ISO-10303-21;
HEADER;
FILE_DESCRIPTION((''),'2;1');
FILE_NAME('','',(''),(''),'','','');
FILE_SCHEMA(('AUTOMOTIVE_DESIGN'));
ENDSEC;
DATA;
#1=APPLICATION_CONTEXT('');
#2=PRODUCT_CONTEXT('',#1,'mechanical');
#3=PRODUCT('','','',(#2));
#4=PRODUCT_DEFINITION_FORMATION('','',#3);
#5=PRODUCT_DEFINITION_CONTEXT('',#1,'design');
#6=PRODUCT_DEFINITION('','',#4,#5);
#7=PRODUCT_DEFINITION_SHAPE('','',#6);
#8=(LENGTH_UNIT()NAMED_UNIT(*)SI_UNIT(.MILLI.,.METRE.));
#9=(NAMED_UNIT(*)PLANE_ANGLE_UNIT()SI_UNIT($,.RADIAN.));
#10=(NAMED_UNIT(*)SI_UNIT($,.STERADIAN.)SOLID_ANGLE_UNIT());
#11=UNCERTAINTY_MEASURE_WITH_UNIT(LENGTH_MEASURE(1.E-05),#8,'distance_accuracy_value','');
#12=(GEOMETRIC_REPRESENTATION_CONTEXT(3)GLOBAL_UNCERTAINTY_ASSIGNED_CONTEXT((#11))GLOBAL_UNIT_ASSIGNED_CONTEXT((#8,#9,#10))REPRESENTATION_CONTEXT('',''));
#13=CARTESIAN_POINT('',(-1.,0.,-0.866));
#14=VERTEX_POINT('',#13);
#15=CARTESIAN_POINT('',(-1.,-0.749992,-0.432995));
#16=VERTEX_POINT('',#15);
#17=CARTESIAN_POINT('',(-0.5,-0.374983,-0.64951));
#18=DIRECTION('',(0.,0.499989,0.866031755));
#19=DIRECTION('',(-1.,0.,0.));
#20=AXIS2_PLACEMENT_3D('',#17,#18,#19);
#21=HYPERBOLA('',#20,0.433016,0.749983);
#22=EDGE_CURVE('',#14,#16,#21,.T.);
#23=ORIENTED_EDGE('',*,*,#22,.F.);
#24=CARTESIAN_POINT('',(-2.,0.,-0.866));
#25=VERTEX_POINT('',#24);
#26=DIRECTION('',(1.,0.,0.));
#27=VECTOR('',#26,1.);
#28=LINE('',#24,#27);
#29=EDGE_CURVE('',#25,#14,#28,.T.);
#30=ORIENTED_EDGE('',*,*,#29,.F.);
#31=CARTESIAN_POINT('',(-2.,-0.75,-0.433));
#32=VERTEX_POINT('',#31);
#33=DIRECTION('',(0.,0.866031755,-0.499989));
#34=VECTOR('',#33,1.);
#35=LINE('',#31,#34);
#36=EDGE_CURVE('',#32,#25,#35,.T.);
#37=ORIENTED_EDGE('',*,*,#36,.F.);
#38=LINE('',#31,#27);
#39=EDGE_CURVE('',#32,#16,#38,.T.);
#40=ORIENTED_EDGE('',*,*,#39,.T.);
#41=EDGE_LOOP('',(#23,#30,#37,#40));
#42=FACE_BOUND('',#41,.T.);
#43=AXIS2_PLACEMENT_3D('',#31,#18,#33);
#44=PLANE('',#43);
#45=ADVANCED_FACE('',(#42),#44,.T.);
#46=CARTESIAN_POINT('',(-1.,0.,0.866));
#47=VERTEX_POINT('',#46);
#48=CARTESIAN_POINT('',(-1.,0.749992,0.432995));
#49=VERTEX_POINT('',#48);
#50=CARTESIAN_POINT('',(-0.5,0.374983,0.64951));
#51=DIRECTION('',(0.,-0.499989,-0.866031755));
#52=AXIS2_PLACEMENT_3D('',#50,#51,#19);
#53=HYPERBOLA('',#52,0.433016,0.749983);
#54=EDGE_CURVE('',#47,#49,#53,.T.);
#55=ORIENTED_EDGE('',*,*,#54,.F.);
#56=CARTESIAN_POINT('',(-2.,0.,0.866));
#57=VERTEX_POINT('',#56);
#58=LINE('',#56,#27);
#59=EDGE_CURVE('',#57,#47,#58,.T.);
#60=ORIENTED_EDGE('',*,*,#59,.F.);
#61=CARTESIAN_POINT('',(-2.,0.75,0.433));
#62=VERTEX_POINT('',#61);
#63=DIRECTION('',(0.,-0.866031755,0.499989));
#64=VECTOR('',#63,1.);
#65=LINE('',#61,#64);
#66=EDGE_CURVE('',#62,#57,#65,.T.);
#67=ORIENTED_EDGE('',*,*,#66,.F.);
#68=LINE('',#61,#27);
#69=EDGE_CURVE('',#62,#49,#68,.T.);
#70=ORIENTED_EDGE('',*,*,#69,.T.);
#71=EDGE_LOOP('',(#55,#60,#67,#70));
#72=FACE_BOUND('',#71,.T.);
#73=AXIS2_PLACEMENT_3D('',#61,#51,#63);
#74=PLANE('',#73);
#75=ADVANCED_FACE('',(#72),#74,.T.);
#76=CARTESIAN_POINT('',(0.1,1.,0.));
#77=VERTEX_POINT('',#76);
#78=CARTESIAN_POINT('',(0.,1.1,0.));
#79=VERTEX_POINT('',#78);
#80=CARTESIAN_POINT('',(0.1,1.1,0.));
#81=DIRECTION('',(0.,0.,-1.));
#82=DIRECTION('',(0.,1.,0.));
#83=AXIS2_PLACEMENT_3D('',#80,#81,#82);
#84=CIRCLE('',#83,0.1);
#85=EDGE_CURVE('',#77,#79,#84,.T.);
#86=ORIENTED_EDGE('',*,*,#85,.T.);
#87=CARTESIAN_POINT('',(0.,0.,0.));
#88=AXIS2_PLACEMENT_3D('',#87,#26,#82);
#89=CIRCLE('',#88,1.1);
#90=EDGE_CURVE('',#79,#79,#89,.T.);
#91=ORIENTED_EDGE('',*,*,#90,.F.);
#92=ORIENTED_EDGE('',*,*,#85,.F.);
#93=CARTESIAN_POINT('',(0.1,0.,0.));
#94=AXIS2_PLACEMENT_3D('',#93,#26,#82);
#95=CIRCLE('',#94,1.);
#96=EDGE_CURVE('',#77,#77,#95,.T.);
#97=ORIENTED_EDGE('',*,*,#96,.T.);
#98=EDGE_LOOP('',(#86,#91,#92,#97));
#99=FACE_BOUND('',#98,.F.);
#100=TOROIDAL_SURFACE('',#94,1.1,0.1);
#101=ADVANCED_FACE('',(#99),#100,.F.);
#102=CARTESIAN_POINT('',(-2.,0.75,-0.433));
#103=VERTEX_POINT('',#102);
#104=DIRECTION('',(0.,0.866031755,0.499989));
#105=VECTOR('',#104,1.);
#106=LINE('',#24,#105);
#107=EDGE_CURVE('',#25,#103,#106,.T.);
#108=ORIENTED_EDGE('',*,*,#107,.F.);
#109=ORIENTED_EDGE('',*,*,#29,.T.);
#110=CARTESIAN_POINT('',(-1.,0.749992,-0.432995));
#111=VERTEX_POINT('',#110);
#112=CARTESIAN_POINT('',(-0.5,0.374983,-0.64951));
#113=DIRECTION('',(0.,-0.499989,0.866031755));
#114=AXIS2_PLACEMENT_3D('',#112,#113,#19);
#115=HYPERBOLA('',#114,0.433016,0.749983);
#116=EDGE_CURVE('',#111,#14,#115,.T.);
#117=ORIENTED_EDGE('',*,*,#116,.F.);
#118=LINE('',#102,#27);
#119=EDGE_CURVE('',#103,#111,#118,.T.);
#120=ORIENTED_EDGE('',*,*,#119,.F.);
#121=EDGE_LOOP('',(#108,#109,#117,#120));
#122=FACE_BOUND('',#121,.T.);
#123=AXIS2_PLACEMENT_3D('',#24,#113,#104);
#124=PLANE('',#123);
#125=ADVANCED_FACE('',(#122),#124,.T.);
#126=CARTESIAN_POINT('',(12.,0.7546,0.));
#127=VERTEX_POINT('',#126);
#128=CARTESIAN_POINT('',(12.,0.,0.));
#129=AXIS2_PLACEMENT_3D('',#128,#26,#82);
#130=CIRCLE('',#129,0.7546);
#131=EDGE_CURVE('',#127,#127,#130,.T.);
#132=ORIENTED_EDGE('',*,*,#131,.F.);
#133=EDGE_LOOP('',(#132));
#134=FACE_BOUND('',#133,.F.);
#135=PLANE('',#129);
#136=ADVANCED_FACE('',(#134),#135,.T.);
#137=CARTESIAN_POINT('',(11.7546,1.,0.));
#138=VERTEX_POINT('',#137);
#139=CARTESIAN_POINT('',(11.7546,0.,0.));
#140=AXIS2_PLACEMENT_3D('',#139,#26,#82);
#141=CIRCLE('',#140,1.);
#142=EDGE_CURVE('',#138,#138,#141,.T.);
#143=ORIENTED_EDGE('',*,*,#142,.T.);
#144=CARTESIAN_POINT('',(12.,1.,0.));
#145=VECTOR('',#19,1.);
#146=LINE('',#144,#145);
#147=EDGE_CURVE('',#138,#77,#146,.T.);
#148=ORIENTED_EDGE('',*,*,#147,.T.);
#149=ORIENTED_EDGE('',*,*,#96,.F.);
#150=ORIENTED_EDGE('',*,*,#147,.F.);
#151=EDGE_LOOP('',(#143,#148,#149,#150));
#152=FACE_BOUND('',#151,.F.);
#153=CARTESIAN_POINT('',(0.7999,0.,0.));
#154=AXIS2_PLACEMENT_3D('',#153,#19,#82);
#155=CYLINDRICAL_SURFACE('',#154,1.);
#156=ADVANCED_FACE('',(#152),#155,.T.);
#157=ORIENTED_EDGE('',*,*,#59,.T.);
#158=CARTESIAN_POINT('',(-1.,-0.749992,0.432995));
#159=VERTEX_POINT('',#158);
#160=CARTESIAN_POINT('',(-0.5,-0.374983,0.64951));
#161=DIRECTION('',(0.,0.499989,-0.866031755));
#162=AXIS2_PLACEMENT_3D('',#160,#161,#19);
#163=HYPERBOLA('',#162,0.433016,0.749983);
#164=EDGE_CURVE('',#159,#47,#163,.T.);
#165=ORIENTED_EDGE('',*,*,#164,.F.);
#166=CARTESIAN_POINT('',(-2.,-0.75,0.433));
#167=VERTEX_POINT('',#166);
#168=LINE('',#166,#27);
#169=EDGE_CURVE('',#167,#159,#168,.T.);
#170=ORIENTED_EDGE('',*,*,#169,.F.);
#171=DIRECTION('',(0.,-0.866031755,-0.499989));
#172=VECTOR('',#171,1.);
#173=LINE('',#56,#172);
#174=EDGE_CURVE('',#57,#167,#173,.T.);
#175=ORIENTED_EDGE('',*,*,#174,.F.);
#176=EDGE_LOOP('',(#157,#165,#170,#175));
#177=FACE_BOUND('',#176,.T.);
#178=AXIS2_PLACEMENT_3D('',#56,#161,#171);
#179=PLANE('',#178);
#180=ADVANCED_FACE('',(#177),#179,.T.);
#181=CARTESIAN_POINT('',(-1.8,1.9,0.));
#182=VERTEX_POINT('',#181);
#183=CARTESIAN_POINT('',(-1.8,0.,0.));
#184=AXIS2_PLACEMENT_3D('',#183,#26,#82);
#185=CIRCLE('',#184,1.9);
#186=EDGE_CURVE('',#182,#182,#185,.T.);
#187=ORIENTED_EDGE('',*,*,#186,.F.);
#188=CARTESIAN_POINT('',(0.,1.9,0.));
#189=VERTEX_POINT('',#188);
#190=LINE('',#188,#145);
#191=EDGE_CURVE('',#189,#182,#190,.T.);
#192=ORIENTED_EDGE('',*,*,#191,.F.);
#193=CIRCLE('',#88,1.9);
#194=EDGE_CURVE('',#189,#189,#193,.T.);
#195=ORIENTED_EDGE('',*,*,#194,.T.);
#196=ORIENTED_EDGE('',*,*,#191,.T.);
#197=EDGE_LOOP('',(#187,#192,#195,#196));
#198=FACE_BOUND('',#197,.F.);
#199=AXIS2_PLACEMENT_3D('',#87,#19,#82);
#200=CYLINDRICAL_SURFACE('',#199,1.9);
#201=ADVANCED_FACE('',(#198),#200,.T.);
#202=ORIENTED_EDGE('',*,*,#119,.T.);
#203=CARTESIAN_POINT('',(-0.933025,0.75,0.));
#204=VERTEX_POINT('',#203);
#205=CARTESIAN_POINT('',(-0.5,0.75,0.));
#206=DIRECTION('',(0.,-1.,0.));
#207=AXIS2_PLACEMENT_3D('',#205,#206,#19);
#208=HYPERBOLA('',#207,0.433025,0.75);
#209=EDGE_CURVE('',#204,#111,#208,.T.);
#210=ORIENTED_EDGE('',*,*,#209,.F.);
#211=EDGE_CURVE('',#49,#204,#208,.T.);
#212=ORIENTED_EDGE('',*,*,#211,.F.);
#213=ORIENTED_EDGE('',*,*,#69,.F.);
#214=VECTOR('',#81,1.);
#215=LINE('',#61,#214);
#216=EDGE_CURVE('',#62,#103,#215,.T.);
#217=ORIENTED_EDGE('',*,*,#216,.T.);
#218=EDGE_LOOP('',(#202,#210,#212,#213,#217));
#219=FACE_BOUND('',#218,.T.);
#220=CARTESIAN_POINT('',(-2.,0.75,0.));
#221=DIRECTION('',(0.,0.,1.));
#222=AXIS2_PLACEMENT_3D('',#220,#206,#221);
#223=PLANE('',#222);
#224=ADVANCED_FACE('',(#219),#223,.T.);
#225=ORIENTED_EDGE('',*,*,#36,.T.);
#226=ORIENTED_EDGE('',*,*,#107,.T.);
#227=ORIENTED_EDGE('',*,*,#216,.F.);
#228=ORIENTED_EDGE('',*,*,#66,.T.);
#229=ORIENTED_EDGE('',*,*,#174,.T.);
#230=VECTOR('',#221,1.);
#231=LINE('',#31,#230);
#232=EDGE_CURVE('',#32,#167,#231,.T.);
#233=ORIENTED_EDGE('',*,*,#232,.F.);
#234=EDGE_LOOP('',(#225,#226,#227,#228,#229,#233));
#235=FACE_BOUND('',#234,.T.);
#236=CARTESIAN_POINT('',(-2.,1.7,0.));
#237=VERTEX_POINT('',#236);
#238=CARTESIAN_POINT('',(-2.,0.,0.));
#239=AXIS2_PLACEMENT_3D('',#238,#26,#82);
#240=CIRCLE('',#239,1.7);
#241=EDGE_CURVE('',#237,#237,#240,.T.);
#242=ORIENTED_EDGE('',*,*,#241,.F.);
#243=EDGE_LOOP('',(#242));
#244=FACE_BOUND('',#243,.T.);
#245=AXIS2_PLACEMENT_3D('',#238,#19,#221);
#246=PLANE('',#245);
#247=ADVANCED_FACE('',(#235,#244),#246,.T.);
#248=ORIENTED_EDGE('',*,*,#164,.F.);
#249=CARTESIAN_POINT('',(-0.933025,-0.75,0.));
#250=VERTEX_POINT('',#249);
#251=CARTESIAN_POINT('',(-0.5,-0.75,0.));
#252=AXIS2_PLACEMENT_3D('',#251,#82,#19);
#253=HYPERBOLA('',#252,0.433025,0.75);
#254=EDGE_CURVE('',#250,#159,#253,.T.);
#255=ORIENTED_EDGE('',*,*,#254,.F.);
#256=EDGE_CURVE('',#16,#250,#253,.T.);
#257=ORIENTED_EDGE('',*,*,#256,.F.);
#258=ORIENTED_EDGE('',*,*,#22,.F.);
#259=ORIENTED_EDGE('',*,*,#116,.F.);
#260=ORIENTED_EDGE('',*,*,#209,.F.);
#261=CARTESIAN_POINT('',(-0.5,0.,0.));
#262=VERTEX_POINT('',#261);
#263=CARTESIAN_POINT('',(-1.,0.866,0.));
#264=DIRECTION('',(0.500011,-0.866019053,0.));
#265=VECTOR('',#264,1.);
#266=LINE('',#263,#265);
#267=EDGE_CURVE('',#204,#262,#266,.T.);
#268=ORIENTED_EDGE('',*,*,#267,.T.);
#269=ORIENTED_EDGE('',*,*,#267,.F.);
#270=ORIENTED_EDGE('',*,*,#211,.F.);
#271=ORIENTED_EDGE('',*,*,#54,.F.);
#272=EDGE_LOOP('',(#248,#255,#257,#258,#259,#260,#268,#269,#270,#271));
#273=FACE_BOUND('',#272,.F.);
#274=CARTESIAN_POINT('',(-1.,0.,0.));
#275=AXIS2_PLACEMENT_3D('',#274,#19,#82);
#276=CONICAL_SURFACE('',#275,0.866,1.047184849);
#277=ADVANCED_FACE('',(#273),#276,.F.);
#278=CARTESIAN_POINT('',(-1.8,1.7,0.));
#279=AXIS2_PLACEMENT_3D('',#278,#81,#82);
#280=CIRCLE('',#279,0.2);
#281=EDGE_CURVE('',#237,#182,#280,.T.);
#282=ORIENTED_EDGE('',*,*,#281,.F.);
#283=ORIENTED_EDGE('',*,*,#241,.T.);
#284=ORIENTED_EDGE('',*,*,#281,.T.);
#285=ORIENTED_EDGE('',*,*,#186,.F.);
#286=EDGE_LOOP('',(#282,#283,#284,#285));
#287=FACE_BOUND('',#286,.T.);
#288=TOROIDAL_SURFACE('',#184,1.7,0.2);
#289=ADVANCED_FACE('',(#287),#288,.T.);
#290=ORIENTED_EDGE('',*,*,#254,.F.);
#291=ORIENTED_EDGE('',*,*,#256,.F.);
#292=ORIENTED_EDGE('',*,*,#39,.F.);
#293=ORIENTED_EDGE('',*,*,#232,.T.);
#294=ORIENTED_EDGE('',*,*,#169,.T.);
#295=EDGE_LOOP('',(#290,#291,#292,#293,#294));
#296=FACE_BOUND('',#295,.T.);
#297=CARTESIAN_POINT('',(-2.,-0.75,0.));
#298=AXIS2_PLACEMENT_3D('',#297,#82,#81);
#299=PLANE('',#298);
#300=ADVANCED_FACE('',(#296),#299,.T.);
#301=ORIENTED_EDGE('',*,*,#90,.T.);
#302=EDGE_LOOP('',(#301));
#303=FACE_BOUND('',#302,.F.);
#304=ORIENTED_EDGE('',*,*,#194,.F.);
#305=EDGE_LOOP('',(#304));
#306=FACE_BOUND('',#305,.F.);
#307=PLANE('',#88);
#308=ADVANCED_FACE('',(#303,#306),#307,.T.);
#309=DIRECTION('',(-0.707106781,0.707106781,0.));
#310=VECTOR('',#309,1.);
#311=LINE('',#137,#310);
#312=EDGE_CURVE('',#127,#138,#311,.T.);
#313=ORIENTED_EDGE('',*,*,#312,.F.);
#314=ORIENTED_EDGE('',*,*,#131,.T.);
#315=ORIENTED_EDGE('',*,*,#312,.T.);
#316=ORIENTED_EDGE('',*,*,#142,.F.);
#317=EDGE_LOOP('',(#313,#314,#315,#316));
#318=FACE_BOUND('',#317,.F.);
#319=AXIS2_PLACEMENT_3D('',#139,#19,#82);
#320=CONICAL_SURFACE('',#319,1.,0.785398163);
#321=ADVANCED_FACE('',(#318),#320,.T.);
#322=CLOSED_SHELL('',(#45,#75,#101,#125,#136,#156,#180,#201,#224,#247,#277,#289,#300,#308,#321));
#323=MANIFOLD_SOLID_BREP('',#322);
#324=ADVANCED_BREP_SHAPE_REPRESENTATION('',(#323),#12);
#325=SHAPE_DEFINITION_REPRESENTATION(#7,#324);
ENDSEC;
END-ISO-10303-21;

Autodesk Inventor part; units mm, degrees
ref_plane "YZ Plane" through (0, 0, 0) normal (1, 0, 0) x (0, 1, 0)
ref_plane "XZ Plane" through (0, 0, 0) normal (0, 1, 0) x (-1, 0, 0)
sketch "Sketch1" plane through (0, 0, 0) normal (0, 0, 1) x (1, 0, 0)
  line L0 (-0.5, 0) -> (12, 0)
  line L1 (12, 0) -> (12, 1)
  line L2 (12, 1) -> (1.0454, 1)
  line L3 (1.0454, 1) -> (0.7999, 1)
  line L4 (0.7999, 1) -> (0, 1)
  line L5 (0, 1) -> (0, 1.9)
  line L6 (0, 1.9) -> (-2, 1.9)
  line L7 (-2, 1.9) -> (-2, 0.866)
  line L8 (-2, 0.866) -> (-1, 0.866)
  line L9 (-1, 0.866) -> (-0.5, 0)
  line L10 (-4.8, 0) -> (14.8, 0) projected
  line L11 (0, -0.38) -> (0, 2.28) projected
  line L12 (1.0454, 1) -> (0, 1) construction
  dimension "d1" = 10.9546
  dimension "d2" = 0.2455
  dimension "d3" = 2
  dimension "d4" = 1
  dimension "d5" = 60
  dimension "d6" = 2
  dimension "d7" = 2
  dimension "d8" = 1.7321
  dimension "d9" = 3.8
  dimension "d26" = 12
revolve "Body" add sketch "Sketch1" angle 360 about axis through (-0.5, 0, 0) along (1, 0, 0)
sketch "Sketch2" plane through (-2, 0, 0) normal (-1, 0, 0) x (0, 0, 1)
  circle A0 centre (0, 0) radius 0.866 projected
  line L0 (0, -2.66) -> (0, 2.66) projected
  line L1 (-2.66, 0) -> (2.66, 0) projected
  line L2 (0.866, 0) -> (0.433, -0.75)
  line L3 (0.433, -0.75) -> (-0.433, -0.75)
  line L4 (-0.433, -0.75) -> (-0.866, 0)
  line L5 (-0.866, 0) -> (-0.433, 0.75)
  line L6 (-0.433, 0.75) -> (0.433, 0.75)
  line L7 (0.433, 0.75) -> (0.866, 0)
extrude "Slot" add sketch "Sketch2" against normal up to next contours L7 A0 | A0 L2 | L6 L0 A0 | A0 L0 L3 | L0 L6 A0 | A0 L3 L0 | L4 A0 | A0 L5
fillet "Fillet1" radius 0.2 1 edges at (-2, -1.9, 0)
thread "Thread" size "M2x0.4" class "6g" standard "ISO Metric profile" length 10.9546
chamfer "Chamfer1" distance 0.2454 distance2 0.2454 1 edges at (12, -1, 0) measured on face at (12, -0.5392, -0.3309)
ref_plane "Work Plane1" through (29, 0, 0) normal (0, -1, 0) x (1, 0, 0)
fillet "Fillet2" radius 0.1 1 edges at (0, -1, 0)
equation "\"d30\" = R"
equation "\"d17\" = RR"
equation "\"d13\" = GEL"
equation "\"d15\" = -0.5 * SPD + 0.5 * GD"
equation "\"d16\" = GUL"
equation "\"d1\" = GEL"
equation "\"d3\" = KOH"
equation "\"d4\" = INTI"
equation "\"d6\" = GD"
equation "\"d7\" = BDM"
equation "\"d8\" = 1.1547 * SW"
equation "\"d9\" = KOD"
equation "\"d26\" = NLG"
equation "\"GD\" = NND"
equation "\"NLG\" = 12"
equation "\"GEL\" = 10.95462"
equation "\"KOD\" = 3.8"
equation "\"KOH\" = 2"
equation "\"INTI\" = 1"
equation "\"GAL\" = 0.61345 * PTC"
equation "\"GUL\" = 0.61345 * PTC"
equation "\"BDM\" = NND"
equation "\"SW\" = 1.5"
equation "\"RR\" = 0.2"
equation "\"SPD\" = 1.50924"
equation "\"R\" = 0.1"
equation "\"TOA\" = 30deg"
equation "\"THREADDIA\" = 2"
equation "\"PTC\" = 0.4"
equation "\"NND\" = 2"
equation "\"E0\" = 1.155 * SW"
equation "\"GD1\" = THREADDIA - 1.2269 * PTC"
properties part number "ANSI B18.3.1M - M2x0.4 x 12" material "Steel, Mild"
